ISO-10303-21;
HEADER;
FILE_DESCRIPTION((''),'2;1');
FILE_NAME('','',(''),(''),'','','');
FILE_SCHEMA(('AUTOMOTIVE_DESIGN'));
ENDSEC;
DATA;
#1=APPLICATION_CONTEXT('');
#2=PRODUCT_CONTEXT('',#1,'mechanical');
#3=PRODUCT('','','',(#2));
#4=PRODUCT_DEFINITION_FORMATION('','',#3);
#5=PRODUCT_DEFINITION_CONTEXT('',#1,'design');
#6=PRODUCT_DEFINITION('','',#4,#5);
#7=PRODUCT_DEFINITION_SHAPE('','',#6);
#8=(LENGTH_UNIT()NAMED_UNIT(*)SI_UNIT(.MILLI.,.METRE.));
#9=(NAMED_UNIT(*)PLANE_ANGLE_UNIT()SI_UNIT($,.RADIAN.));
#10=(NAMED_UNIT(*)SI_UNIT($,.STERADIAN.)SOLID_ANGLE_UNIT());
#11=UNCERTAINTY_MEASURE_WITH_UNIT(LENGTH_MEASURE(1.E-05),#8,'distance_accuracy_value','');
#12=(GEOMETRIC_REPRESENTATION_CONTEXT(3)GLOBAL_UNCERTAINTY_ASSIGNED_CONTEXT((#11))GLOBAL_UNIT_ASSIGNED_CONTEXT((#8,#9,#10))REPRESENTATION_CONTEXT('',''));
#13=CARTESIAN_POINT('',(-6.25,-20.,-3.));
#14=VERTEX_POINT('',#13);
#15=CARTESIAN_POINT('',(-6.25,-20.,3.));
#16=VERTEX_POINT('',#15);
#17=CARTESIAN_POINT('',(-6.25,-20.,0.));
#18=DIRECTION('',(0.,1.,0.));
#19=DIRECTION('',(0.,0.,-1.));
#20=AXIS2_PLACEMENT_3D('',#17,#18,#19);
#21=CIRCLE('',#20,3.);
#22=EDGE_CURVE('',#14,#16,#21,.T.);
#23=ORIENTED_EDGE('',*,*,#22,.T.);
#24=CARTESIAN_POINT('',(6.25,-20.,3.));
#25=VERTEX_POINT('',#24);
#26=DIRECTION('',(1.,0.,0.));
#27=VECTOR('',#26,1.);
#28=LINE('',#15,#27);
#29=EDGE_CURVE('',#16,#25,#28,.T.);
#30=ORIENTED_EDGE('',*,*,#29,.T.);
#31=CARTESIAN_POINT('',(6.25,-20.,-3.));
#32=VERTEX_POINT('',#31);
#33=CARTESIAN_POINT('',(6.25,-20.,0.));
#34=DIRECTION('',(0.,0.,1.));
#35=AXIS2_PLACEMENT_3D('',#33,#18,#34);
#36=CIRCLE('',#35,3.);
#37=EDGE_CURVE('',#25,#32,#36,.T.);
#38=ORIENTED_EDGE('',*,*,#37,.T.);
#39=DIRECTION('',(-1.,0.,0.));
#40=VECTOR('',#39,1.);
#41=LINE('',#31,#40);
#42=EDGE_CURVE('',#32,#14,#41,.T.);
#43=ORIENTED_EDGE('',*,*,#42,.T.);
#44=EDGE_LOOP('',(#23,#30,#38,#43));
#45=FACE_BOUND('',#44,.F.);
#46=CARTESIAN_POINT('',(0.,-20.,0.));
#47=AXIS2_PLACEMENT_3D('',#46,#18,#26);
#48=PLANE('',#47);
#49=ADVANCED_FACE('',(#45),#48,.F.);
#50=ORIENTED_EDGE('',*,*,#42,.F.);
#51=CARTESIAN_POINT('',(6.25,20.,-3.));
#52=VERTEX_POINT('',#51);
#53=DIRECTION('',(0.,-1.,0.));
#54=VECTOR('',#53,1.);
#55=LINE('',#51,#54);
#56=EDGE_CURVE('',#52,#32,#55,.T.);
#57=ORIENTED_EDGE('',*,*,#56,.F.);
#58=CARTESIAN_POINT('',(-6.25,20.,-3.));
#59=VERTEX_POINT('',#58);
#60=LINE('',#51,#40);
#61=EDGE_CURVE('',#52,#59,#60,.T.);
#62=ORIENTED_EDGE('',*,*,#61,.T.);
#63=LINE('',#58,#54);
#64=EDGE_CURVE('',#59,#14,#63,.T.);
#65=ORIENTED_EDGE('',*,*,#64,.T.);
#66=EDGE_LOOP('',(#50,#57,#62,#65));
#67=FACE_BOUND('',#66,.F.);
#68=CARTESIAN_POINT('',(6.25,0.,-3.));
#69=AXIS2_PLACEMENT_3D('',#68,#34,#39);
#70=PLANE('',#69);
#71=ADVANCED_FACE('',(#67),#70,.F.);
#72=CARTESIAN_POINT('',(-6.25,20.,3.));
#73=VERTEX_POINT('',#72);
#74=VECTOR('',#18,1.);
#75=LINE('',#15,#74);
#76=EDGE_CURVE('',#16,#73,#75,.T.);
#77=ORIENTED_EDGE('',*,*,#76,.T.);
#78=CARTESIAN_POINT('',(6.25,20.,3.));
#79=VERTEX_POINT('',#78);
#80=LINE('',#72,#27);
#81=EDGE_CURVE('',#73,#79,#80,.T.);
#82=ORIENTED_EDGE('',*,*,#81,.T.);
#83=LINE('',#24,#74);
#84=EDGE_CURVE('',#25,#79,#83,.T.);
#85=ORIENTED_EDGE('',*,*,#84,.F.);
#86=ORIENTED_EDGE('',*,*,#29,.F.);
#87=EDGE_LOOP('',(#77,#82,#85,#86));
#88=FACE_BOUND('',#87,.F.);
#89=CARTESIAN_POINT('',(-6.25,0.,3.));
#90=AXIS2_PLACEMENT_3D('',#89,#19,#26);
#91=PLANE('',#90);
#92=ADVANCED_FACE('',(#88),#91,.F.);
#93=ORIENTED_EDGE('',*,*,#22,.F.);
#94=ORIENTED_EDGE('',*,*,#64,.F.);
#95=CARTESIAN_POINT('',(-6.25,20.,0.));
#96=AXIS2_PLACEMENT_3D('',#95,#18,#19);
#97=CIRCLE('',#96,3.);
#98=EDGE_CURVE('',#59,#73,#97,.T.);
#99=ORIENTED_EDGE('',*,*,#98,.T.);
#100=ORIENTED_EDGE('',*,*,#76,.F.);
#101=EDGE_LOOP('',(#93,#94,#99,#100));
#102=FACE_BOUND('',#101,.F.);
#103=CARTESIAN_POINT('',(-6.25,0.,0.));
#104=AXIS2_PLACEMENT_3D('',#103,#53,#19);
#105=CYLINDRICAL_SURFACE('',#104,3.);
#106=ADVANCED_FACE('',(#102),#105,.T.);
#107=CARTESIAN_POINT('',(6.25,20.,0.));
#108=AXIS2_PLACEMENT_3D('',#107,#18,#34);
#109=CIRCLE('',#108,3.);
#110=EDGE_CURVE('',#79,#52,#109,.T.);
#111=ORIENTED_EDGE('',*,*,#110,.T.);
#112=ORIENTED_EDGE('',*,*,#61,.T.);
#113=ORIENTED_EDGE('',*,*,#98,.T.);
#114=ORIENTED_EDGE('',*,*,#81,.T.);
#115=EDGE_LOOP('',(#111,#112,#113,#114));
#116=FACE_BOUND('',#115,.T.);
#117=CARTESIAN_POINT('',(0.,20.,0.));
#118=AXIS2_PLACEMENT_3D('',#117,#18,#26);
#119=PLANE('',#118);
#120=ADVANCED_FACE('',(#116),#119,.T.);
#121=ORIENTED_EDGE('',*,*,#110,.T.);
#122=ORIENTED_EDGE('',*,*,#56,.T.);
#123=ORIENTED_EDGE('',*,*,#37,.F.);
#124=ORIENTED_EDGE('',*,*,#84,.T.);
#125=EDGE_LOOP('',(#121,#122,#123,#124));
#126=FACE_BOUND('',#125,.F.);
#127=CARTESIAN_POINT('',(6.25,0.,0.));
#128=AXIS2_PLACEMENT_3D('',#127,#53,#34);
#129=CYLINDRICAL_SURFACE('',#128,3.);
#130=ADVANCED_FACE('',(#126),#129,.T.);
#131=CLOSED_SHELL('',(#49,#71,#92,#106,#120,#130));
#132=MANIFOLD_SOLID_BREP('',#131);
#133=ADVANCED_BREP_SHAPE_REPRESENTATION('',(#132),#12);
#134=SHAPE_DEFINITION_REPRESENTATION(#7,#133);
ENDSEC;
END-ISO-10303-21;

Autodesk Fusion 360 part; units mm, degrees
sketch "Sketch1" plane through (0, 0, 0) normal (0, 1, 0) x (1, 0, 0)
  line L0 (-6.25, -3) -> (6.25, -3)
  arc A0 (6.25, -3) -> (6.25, 3) centre (6.25, 0) ccw
  line L1 (6.25, 3) -> (-6.25, 3)
  arc A1 (-6.25, 3) -> (-6.25, -3) centre (-6.25, 0) ccw
  line L2 (-6.25, 0) -> (6.25, 0) construction
  dimension "d4" = 6.25
  dimension "d5" = 6
extrude "Extrude1" add sketch "Sketch1" along normal mid plane 40 makes body 1
extrude "Extrude2" add sketch "Sketch1" along normal mid plane 46 separate body makes body 2
hidden bodies 2
equation "Length = 40 mm"
equation "Thickness = 6 mm"
equation "Width = 12.5 mm"
equation "d4 = Width / 2"
equation "d5 = Thickness"
equation "d6 = Length"
equation "d8 = Length + 6 mm"
properties part number "6x40"
